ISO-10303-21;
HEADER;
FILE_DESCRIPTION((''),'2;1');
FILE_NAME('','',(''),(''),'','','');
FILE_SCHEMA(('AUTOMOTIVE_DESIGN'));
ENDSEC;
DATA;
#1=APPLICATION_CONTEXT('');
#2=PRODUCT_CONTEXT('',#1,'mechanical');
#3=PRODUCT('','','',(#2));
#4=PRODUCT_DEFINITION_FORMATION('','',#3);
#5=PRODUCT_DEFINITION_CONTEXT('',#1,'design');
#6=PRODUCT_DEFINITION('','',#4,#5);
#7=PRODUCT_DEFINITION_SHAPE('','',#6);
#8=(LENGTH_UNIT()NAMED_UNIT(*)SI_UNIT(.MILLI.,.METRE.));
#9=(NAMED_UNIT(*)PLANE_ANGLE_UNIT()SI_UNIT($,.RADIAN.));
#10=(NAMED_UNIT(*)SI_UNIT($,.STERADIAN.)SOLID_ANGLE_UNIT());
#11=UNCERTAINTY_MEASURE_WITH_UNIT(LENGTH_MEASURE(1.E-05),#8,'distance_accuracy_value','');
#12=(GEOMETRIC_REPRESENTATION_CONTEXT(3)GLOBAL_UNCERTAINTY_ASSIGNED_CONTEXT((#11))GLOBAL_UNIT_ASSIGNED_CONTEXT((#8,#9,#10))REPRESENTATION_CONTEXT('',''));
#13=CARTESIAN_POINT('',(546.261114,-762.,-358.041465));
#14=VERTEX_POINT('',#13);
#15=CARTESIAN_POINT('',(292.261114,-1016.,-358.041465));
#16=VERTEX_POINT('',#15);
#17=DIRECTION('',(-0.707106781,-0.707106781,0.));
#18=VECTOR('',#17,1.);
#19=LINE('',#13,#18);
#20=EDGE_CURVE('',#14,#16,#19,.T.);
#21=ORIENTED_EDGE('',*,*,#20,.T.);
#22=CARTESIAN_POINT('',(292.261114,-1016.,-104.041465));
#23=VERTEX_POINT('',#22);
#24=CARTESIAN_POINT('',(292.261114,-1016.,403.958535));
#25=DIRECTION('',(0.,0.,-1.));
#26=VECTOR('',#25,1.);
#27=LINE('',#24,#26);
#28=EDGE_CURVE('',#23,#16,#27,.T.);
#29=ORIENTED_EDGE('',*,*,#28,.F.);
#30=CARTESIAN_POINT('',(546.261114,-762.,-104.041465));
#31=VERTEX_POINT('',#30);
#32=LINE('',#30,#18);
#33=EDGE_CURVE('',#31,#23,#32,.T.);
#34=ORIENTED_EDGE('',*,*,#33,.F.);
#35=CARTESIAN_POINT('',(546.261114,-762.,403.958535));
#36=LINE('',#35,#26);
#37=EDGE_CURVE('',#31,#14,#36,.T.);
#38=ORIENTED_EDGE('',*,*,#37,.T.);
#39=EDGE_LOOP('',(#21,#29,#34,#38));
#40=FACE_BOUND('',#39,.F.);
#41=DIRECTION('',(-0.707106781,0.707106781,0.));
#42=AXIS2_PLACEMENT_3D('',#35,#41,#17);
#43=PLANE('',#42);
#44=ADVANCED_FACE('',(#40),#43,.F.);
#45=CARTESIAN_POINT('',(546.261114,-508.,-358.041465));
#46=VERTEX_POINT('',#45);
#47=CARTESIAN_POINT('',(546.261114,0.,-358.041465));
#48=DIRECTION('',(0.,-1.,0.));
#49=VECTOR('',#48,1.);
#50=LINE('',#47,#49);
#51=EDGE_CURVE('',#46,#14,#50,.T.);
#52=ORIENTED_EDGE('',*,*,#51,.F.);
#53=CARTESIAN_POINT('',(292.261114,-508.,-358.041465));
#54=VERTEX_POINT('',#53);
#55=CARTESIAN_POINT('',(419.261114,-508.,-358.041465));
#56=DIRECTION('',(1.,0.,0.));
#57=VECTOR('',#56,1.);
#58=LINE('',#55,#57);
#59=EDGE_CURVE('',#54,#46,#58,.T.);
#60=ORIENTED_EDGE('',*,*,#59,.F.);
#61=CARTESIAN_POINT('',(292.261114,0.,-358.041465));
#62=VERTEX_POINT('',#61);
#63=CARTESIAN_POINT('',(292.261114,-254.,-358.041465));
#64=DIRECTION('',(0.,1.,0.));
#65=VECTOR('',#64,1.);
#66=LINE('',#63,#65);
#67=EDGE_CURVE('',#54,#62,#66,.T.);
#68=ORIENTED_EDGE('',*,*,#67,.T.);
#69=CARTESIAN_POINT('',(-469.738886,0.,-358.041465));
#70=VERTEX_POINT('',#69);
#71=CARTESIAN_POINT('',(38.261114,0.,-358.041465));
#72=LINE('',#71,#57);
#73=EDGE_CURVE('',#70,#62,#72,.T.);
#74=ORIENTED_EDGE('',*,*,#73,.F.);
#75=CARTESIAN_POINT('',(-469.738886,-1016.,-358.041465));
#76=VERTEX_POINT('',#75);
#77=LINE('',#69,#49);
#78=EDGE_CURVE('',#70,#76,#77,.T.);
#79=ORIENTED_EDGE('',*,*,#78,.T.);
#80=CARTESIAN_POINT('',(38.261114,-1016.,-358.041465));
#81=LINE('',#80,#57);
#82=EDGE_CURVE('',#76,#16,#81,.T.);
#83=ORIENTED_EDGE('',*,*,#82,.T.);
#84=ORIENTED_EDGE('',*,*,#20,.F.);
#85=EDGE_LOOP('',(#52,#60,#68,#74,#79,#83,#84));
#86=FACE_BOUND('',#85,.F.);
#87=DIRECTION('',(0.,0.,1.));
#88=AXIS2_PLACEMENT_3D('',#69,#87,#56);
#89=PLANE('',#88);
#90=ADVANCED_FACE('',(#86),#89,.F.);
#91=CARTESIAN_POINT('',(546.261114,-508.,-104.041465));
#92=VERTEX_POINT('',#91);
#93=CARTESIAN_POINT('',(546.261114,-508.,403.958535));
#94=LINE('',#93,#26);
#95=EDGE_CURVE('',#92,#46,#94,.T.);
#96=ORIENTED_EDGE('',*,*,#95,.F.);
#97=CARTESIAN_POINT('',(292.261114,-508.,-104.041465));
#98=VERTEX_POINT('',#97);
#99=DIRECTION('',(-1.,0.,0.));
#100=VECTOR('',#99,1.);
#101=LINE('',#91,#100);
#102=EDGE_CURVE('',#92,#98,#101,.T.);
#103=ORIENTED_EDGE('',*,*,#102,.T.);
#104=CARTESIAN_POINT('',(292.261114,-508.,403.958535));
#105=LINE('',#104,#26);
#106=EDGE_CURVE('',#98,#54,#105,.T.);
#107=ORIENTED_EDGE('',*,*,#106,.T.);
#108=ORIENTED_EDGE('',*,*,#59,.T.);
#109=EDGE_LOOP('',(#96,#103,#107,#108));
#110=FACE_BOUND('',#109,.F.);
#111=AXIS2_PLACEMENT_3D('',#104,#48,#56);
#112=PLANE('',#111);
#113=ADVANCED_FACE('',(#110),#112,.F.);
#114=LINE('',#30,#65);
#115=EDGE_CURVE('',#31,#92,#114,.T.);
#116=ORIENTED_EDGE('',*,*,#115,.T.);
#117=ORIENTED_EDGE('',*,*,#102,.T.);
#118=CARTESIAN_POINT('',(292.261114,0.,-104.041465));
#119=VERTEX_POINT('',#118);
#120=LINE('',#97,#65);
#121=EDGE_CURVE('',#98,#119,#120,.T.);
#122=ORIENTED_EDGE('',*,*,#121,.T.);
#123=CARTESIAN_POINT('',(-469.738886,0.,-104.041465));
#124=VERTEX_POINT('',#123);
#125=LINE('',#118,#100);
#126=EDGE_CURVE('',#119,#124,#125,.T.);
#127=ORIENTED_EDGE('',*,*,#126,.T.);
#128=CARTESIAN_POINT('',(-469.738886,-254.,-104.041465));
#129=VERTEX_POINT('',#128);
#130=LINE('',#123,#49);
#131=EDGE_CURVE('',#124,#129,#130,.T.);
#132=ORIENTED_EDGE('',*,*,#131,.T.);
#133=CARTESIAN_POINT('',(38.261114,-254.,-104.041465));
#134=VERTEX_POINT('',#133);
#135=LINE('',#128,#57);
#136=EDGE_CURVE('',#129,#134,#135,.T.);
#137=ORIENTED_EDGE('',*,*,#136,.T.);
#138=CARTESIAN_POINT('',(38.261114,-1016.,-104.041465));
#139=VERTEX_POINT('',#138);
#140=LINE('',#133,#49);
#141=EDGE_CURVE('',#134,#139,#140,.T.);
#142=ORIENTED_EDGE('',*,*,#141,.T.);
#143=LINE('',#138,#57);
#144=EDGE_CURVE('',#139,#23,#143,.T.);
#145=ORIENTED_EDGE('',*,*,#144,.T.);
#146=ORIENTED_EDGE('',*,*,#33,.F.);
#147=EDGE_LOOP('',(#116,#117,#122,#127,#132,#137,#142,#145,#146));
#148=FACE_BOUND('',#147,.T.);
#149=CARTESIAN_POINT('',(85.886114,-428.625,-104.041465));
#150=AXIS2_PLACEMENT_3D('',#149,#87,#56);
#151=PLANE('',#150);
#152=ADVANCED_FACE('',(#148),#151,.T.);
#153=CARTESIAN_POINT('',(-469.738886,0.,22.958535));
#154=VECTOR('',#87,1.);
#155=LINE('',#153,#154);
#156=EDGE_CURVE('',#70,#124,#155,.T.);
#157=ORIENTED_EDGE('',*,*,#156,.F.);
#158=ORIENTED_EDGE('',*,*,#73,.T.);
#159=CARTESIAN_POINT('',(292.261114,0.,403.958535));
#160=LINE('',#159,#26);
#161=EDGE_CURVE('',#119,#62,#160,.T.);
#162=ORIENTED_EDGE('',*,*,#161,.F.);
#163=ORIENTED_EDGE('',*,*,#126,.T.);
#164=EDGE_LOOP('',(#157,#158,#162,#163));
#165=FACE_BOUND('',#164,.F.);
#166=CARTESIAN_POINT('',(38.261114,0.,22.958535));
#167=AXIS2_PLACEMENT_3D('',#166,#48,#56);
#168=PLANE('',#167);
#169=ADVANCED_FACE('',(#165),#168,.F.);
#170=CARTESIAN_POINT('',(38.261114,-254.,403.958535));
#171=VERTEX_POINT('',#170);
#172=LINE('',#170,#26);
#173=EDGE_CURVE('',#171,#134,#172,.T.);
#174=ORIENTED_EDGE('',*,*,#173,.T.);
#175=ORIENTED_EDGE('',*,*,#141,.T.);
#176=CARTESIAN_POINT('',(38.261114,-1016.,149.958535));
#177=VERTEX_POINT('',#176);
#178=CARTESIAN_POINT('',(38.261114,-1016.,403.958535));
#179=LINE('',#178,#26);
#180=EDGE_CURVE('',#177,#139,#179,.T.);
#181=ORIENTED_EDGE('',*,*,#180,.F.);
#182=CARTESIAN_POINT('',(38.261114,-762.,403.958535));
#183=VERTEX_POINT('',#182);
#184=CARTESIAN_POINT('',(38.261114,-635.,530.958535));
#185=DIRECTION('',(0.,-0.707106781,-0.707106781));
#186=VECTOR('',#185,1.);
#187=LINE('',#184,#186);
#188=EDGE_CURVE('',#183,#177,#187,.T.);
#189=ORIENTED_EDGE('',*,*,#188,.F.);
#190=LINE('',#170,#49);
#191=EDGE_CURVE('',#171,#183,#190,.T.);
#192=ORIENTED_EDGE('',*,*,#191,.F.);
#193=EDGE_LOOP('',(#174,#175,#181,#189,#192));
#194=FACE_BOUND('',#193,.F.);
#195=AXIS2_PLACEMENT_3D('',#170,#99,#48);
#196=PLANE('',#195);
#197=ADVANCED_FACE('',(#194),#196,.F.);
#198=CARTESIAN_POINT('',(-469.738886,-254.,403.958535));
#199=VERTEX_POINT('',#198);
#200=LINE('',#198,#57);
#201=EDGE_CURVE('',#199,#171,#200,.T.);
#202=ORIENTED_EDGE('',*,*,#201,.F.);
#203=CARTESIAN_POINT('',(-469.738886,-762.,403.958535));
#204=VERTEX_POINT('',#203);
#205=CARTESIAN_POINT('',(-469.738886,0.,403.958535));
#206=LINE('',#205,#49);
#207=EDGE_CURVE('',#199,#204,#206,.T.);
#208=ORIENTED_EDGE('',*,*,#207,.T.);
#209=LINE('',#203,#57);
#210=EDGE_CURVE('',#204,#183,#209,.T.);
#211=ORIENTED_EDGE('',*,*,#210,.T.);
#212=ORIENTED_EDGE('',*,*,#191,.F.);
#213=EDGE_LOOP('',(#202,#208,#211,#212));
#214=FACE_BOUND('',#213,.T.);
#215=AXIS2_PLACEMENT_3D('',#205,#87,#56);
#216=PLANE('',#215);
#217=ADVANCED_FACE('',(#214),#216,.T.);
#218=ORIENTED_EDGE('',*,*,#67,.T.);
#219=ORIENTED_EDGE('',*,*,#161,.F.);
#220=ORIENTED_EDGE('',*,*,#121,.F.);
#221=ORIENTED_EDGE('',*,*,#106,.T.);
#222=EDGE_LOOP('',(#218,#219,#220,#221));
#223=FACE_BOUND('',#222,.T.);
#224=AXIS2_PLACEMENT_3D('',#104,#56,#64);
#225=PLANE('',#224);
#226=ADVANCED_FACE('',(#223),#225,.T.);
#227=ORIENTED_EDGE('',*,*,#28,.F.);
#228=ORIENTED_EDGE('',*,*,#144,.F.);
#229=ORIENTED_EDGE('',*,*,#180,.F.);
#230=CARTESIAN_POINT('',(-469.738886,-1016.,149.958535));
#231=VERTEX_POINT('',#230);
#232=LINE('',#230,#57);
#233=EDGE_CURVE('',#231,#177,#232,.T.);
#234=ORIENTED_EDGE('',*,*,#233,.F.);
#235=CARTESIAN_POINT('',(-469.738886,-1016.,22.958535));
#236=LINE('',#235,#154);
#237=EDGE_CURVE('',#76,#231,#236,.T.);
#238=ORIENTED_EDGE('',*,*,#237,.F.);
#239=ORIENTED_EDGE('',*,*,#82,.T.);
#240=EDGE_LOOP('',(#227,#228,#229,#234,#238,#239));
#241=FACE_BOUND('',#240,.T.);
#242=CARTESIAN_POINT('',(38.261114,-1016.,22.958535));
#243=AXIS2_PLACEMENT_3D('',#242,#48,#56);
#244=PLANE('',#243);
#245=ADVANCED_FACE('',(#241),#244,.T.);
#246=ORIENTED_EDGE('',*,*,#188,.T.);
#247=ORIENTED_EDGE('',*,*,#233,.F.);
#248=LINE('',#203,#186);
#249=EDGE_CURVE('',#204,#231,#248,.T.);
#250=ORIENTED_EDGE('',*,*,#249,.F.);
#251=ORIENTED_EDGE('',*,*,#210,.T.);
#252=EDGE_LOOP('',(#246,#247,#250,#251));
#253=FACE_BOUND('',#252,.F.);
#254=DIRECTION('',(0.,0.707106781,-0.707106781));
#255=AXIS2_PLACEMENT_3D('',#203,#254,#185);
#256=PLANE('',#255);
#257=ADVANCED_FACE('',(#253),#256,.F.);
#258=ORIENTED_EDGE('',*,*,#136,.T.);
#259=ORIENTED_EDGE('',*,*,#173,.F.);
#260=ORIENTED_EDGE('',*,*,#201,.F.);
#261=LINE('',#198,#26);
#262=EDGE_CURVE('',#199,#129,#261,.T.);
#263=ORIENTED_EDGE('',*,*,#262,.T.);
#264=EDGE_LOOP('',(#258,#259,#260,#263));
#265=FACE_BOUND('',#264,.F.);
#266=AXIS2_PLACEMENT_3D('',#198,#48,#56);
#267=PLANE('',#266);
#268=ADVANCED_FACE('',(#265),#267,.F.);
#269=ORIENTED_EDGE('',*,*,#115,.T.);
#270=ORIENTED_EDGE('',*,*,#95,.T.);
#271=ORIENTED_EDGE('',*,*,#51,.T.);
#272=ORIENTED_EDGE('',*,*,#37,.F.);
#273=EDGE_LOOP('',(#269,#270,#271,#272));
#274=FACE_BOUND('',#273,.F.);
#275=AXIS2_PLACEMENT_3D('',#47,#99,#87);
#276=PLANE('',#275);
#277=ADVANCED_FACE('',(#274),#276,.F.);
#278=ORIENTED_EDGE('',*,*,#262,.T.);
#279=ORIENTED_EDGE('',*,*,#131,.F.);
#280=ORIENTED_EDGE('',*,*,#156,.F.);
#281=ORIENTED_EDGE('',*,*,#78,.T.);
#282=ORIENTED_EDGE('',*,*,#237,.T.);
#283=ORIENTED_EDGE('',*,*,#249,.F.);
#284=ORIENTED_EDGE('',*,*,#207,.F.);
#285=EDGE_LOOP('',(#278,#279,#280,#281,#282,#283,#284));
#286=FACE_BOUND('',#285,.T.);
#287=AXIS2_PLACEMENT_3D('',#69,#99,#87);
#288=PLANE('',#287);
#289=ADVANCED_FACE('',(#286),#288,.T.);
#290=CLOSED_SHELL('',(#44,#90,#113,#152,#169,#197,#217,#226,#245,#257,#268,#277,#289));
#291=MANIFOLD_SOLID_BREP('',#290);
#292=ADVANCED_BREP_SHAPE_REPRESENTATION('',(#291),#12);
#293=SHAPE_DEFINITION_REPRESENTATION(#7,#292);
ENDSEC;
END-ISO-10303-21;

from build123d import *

# Parameters (mm, degrees)
F0_W      = 1016
F0_H      = 762
F1_DEPTH  = 1016
F2_W      = 254
F2_H      = 508
F3_DEPTH  = 762
F5_DEPTH  = 508
F7_DEPTH  = 762
F8_DEPTH  = 508
F10_DEPTH = 1016


with BuildPart() as f1:
    # F0 (on Front) → F1 (new body)
    with BuildSketch(Plane.XZ):
        with Locations((38.2611141601, 22.9585352354)):
            Rectangle(F0_W, F0_H)
    extrude(amount=F1_DEPTH)

    # F2 (on face) → F3 (cut)
    with BuildSketch(Plane.XY.offset(403.9585352354)):
        with Locations((419.2611141601, -254)):
            Rectangle(F2_W, F2_H)
    extrude(amount=-F3_DEPTH, mode=Mode.SUBTRACT)

    # F4 (on face) → F5 (cut)
    with BuildSketch(Plane.XY.offset(403.9585352354)):
        Polygon((-469.7388858399, 0), (-469.7388858399, -254), (38.2611141601, -254), (38.2611141601, -1016), (292.2611141601, -1016), (292.2611141601, -762), (546.2611141601, -762), (546.2611141601, -508), (292.2611141601, -508), (292.2611141601, 0), align=None)
    extrude(amount=-F5_DEPTH, mode=Mode.SUBTRACT)

    # F6 (on face) → F7 (cut)
    with BuildSketch(Plane.XY.offset(403.9585352354)):
        Polygon((546.2611141601, -1016), (546.2611141601, -762), (292.2611141601, -1016), align=None)
    extrude(amount=-F7_DEPTH, mode=Mode.SUBTRACT)

    # F8 (cut): a face of the model
    f8_faces = [f1.faces().sort_by_distance(p)[0] for p in [
        (376.9277808268, -846.6666666667, 403.9585352354),
    ]]
    extrude(f8_faces, amount=-F8_DEPTH, mode=Mode.SUBTRACT)

    # F9 (on face) → F10 (cut)
    with BuildSketch(Plane(origin=(-469.7388858399, 0, 0), x_dir=(0, -1, 0), z_dir=(-1, 0, 0))):
        Polygon((1016, 403.9585352354), (762, 403.9585352354), (1016, 149.9585352354), align=None)
    extrude(amount=-F10_DEPTH, mode=Mode.SUBTRACT)


solid = f1.part
